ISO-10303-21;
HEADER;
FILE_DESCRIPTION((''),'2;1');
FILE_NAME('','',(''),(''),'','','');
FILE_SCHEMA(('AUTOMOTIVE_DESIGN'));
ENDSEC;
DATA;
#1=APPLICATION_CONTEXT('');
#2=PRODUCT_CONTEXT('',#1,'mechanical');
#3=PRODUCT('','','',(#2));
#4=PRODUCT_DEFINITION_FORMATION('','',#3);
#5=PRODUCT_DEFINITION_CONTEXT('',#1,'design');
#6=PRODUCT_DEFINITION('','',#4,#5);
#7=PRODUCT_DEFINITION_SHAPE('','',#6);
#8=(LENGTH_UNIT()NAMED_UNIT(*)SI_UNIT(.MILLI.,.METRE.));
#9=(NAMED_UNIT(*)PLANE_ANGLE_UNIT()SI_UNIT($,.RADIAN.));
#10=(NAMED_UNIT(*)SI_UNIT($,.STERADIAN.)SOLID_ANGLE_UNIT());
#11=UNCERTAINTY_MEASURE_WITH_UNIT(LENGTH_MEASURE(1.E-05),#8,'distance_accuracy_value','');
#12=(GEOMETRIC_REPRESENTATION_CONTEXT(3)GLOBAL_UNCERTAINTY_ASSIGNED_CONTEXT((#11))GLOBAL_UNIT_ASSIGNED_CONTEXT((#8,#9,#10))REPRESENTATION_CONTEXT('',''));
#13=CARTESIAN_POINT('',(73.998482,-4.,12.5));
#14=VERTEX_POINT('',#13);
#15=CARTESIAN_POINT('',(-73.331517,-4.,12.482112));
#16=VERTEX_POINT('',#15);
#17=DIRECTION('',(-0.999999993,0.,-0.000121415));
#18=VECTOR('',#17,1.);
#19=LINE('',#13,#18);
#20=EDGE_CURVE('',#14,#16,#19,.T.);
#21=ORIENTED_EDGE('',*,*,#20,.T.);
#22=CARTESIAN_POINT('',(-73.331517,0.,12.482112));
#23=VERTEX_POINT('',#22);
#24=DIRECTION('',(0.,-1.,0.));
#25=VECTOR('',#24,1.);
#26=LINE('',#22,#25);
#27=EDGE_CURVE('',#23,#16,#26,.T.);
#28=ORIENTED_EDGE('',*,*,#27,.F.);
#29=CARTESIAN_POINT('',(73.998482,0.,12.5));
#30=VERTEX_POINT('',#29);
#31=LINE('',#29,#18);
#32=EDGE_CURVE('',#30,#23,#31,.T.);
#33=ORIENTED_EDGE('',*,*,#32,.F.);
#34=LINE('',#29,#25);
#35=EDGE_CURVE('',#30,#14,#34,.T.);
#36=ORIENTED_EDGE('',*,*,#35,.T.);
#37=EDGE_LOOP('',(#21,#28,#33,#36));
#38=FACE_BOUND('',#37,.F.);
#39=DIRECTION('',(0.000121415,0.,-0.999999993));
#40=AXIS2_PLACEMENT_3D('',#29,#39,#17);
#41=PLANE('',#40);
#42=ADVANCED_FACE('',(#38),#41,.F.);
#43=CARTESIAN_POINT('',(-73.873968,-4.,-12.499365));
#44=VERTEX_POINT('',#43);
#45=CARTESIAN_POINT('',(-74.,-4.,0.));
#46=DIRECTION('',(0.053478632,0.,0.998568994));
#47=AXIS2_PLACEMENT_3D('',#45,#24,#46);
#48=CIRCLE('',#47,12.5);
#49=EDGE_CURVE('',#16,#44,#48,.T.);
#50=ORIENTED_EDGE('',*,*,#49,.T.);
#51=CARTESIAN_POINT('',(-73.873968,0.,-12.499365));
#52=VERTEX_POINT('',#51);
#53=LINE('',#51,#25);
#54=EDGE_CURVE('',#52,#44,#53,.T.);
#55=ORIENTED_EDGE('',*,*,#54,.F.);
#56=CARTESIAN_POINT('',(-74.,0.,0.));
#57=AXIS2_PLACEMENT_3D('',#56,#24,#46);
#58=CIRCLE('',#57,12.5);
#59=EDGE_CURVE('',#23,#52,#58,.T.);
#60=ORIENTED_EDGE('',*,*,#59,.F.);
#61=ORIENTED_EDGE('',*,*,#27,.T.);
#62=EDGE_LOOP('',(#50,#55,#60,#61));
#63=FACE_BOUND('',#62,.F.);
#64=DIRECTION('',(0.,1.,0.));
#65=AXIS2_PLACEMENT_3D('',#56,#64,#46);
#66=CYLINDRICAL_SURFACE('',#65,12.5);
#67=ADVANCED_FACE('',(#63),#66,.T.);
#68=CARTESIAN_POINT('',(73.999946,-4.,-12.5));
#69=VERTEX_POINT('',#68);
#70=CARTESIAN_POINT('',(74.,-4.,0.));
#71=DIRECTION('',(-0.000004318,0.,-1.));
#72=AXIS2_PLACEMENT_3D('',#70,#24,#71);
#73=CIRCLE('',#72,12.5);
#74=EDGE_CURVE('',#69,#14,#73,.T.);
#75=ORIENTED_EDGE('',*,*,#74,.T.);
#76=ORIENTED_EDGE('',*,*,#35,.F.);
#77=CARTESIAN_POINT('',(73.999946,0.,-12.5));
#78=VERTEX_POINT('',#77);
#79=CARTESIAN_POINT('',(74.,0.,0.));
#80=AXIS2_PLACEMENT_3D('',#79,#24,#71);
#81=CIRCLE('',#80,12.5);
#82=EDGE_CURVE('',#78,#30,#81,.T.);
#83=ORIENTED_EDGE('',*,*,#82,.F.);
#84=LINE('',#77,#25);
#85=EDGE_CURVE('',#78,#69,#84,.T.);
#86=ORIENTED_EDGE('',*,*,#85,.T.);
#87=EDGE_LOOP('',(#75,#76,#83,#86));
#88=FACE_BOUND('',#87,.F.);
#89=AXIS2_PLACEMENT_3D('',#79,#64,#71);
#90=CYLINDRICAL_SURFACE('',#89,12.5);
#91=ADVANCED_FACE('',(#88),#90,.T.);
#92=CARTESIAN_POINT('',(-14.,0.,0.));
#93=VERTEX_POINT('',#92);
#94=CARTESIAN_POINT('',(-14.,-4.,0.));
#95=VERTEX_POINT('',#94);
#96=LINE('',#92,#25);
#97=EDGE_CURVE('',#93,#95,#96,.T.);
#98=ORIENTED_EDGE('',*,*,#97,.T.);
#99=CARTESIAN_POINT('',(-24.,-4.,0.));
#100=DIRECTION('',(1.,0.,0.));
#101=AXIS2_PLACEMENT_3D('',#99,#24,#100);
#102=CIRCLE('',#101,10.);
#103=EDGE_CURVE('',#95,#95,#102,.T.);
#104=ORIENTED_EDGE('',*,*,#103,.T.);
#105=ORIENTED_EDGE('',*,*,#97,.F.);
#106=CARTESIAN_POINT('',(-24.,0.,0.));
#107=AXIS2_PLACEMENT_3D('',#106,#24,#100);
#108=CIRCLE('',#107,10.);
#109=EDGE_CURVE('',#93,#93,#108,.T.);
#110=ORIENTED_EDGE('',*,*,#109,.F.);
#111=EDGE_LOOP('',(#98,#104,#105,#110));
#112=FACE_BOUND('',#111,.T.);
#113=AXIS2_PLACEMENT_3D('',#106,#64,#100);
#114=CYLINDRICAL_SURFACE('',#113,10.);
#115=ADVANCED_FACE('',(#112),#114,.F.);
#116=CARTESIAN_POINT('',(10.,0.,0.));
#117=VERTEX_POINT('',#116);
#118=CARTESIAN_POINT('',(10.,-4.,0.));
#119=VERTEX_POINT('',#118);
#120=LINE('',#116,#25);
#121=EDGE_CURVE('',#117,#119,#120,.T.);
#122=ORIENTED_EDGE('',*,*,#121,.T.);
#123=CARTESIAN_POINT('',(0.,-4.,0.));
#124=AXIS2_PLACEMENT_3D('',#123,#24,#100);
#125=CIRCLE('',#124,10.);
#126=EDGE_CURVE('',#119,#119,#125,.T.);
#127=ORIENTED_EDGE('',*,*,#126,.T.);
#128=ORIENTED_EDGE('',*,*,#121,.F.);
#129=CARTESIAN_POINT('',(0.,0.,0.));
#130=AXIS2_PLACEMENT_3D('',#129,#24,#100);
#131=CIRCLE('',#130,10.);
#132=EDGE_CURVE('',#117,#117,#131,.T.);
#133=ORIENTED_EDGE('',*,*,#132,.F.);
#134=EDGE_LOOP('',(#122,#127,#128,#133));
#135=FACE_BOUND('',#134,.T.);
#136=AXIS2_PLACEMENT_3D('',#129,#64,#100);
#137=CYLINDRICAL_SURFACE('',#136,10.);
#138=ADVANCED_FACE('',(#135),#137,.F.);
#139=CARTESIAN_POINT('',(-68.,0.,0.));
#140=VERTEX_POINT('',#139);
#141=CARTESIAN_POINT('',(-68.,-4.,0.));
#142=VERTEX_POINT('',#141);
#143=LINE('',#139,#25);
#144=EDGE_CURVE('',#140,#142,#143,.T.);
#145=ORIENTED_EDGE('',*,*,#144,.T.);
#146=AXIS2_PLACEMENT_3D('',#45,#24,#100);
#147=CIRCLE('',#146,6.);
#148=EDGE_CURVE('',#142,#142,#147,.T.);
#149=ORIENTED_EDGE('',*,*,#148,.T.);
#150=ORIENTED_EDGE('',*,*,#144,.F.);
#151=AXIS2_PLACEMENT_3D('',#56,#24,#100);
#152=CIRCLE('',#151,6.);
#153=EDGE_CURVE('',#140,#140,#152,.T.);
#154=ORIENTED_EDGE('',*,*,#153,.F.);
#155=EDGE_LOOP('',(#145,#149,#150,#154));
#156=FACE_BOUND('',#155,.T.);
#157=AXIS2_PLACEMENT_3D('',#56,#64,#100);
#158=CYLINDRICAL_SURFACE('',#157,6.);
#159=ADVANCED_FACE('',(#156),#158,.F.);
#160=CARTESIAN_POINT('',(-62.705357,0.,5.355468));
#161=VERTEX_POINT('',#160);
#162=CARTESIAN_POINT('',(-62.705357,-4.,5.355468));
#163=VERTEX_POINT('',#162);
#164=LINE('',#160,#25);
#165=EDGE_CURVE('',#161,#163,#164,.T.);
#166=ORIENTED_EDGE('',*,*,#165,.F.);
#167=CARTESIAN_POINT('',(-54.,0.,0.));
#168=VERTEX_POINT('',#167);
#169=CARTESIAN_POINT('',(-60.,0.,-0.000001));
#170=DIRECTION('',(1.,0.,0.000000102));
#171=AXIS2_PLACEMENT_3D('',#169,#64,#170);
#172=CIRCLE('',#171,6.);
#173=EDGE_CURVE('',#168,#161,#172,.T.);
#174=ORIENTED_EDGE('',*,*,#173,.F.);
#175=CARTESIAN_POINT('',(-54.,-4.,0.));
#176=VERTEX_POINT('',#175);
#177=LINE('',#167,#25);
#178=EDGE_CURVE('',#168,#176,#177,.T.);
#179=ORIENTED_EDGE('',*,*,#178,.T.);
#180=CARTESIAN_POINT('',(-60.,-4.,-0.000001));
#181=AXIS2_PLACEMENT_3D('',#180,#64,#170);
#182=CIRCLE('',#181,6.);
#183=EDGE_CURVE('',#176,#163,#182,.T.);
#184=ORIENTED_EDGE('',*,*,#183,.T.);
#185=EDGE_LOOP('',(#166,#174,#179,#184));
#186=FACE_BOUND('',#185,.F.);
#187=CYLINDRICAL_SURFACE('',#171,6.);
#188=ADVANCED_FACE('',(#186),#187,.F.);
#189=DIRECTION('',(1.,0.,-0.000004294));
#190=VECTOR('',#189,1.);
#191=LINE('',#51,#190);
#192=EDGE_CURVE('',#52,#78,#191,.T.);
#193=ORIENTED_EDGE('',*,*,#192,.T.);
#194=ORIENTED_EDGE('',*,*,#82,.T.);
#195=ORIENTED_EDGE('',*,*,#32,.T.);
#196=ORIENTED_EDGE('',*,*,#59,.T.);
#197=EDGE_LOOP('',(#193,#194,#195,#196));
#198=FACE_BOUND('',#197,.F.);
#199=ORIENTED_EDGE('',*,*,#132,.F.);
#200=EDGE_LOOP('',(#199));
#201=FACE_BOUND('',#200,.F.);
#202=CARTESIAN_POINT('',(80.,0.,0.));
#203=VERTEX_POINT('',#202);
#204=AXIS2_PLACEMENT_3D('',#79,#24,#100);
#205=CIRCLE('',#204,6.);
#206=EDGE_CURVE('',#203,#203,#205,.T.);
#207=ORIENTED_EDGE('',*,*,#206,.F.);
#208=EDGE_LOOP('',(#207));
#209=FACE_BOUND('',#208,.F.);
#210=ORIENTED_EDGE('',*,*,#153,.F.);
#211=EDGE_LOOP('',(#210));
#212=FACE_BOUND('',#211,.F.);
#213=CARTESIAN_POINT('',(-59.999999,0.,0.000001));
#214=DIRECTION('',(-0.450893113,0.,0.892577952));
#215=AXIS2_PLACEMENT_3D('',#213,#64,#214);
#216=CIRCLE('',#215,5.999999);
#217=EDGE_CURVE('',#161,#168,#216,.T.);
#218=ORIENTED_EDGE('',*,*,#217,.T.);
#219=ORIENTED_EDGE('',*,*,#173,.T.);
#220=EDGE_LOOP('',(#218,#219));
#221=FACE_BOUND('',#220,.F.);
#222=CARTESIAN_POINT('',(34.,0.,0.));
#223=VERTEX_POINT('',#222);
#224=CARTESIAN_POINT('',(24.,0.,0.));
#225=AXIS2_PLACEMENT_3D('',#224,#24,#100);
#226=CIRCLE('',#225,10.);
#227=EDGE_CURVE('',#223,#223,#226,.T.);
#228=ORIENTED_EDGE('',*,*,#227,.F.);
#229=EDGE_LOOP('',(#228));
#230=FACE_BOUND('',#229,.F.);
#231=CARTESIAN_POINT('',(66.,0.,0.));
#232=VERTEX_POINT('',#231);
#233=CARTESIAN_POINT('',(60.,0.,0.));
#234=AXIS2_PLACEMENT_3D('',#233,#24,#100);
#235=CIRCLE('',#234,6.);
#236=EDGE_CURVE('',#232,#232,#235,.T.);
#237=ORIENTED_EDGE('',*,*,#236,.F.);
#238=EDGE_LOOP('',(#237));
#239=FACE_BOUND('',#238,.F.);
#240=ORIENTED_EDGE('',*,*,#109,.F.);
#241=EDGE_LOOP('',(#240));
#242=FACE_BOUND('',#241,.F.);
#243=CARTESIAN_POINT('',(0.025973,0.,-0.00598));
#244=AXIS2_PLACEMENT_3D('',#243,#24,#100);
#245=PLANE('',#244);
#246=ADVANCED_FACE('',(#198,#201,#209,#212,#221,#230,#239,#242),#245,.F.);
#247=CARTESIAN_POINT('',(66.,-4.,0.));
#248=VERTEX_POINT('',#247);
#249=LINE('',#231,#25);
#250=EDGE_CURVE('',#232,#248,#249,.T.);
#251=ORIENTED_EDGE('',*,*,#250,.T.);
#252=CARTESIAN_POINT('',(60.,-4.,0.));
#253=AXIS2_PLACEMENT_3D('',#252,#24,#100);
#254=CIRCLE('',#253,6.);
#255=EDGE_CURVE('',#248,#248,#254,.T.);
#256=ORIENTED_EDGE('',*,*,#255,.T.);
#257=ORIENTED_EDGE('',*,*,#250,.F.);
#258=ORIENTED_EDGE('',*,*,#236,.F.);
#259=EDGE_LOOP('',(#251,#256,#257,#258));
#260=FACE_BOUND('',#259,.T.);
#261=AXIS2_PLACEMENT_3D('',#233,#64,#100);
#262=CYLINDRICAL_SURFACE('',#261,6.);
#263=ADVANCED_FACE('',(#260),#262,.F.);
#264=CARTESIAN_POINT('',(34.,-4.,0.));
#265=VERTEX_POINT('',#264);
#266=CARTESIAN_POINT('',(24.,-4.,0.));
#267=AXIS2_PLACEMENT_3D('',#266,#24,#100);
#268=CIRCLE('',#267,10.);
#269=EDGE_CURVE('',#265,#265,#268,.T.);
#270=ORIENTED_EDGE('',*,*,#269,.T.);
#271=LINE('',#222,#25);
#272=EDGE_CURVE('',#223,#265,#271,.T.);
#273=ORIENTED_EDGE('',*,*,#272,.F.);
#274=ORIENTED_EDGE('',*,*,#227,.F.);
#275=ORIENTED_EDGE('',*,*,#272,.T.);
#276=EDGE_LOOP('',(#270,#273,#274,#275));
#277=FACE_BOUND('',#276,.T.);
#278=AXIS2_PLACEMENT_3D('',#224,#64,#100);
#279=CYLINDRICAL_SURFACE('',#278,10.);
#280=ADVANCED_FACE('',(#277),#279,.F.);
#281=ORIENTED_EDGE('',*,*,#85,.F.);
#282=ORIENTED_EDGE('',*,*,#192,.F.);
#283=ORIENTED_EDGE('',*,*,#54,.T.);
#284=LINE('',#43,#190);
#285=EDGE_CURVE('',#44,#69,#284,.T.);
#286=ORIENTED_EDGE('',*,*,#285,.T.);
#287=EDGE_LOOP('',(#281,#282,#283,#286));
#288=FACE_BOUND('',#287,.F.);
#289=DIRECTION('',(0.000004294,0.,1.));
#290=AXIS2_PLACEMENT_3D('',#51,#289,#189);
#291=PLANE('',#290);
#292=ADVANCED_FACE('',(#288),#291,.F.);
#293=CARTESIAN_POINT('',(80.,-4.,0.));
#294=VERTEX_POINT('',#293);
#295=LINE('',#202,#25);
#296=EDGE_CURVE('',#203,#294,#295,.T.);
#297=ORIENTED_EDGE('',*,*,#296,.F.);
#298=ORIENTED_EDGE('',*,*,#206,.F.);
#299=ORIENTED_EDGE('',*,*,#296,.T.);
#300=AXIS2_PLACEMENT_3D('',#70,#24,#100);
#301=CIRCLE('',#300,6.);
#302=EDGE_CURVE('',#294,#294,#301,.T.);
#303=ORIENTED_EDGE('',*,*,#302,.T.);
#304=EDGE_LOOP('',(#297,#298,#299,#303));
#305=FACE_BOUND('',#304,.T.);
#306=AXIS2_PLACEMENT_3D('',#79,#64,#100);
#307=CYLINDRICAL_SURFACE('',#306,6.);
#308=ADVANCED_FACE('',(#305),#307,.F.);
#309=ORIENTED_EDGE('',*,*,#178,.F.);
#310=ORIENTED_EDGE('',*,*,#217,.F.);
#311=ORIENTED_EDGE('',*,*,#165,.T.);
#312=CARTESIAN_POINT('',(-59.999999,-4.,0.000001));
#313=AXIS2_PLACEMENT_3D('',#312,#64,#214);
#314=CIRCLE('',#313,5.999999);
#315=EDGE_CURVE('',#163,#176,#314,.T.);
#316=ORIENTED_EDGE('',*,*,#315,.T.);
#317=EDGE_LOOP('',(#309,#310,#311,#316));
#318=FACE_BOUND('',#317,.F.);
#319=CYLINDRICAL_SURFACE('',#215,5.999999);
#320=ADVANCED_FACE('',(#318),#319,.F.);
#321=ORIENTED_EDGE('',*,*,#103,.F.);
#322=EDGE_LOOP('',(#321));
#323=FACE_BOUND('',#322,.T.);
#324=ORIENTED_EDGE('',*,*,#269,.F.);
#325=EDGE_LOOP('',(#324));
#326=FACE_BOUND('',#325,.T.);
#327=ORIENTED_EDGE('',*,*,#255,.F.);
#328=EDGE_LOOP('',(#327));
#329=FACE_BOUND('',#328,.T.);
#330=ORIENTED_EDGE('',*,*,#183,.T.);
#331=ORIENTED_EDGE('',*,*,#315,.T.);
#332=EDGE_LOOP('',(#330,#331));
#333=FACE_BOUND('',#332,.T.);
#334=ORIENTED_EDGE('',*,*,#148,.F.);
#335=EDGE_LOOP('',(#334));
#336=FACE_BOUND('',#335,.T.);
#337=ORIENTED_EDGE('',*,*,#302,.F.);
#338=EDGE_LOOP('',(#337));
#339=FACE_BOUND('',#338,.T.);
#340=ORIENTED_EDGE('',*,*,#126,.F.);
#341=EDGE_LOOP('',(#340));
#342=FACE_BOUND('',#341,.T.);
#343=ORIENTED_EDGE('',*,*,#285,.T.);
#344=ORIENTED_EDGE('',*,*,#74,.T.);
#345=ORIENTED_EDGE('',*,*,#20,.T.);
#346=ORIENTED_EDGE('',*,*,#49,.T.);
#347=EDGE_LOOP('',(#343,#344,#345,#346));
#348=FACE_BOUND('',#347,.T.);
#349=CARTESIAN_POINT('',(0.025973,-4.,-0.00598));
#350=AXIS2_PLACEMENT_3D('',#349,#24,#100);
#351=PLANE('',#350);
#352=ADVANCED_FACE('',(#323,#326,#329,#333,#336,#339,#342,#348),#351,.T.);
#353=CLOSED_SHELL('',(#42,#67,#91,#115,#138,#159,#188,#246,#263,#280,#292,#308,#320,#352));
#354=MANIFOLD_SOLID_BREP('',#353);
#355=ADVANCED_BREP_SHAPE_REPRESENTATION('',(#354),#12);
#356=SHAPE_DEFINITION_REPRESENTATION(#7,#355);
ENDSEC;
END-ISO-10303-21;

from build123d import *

# Parameters (mm, degrees)
F0_R     = 10
F0_R_2   = 6
F1_DEPTH = 4


with BuildPart() as f1:
    # F0 (on Front) → F1 (new body)
    with BuildSketch(Plane.XZ):
        with BuildLine():
            Line((73.998482, 12.5), (-73.331517, 12.482112))
            ThreePointArc((-73.331517, 12.482112), (-86.497054, 0.271363), (-73.873968, -12.499365))
            Line((-73.873968, -12.499365), (73.999946, -12.5))
            ThreePointArc((73.999946, -12.5), (86.5, 0.000732), (73.998482, 12.5))
        make_face()
        with Locations((-24, 0)):
            Circle(F0_R, mode=Mode.SUBTRACT)
        Circle(F0_R, mode=Mode.SUBTRACT)
        with Locations((24, 0)):
            Circle(F0_R, mode=Mode.SUBTRACT)
        with Locations((-74, 0)):
            Circle(F0_R_2, mode=Mode.SUBTRACT)
        with BuildLine():
            ThreePointArc((-62.705357, 5.355468), (-56.856128, 5.110389), (-54, 0))
            ThreePointArc((-54, 0), (-63.143872, -5.110389), (-62.705357, 5.355468))
        make_face(mode=Mode.SUBTRACT)
        with Locations((60, 0)):
            Circle(F0_R_2, mode=Mode.SUBTRACT)
        with Locations((74, 0)):
            Circle(F0_R_2, mode=Mode.SUBTRACT)
    extrude(amount=F1_DEPTH)


solid = f1.part
